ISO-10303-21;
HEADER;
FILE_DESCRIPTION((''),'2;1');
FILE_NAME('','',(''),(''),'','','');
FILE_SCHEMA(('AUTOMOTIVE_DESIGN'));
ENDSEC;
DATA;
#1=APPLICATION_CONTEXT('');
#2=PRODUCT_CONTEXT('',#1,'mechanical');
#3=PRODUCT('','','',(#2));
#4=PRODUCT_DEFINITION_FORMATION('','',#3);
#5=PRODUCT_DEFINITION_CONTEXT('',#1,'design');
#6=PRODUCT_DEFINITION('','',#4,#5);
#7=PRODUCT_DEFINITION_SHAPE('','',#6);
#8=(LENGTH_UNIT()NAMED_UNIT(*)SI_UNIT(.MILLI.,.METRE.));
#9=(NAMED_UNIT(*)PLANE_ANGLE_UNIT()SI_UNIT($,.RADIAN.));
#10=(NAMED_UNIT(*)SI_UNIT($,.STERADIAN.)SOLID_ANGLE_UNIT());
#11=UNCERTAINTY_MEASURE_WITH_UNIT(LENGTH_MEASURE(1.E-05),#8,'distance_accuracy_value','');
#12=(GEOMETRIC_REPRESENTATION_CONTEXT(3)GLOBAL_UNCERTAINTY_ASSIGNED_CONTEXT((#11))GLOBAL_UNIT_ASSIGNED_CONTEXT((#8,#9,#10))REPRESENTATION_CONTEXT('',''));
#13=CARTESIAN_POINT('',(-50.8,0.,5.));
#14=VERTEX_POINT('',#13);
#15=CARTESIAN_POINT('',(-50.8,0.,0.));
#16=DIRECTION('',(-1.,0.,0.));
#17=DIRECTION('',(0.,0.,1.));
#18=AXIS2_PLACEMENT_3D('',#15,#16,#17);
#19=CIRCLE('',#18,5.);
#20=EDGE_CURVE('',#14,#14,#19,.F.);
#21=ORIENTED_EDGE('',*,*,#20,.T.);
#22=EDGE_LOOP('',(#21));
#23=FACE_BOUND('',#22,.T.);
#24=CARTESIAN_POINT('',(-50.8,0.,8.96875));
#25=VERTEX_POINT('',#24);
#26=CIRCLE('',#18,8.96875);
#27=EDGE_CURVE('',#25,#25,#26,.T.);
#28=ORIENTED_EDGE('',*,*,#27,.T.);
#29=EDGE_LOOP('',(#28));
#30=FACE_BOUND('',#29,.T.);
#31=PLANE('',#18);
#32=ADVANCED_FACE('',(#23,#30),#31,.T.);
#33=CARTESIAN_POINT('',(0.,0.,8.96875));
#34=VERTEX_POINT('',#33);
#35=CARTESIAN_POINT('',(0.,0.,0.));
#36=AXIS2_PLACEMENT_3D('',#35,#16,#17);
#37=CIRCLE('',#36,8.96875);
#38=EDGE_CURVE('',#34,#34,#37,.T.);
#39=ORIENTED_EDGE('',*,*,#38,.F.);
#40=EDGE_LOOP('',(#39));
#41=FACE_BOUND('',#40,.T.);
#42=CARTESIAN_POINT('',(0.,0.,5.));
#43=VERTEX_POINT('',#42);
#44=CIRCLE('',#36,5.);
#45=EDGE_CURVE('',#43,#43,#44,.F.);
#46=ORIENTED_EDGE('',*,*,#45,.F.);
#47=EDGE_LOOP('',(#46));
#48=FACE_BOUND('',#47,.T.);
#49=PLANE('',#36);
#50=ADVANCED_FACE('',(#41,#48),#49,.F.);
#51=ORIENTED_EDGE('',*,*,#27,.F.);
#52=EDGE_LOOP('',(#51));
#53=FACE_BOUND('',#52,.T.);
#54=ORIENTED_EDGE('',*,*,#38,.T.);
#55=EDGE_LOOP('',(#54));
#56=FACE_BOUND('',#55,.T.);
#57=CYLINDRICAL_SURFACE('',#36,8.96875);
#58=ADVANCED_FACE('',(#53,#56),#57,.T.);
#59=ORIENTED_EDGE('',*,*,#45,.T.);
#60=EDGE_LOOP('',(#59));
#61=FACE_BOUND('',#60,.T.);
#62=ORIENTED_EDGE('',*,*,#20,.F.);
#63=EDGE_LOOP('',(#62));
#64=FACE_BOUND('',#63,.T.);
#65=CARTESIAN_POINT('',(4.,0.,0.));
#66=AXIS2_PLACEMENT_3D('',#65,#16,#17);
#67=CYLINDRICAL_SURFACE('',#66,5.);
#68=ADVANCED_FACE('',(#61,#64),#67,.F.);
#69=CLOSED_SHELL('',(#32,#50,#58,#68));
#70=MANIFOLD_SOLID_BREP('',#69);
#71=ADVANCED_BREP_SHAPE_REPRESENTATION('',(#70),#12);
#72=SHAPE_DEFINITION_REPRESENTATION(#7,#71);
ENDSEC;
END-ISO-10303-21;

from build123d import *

# Parameters (mm, degrees)
SWEEP1_PROFILE_R     = 8.96875
CUT_SWEEP1_PROFILE_R = 5


with BuildPart() as part:
    # Sweep1: sweep along a path in Sketch1
    with BuildLine(Plane(origin=(0, 0, 0), x_dir=(1, 0, 0), z_dir=(0, 1, 0))) as sweep1_path:
        Line((0, 0), (-50.8, 0))
    # Sweep1 profile (on start of the path) → Sweep1 (sweep)
    with BuildSketch(Plane(origin=(0, 0, 0), x_dir=(0, 0, -1), z_dir=(-1, 0, 0))):
        Circle(SWEEP1_PROFILE_R)
    sweep(path=sweep1_path.line)

    # Cut-Sweep1: sweep along a path in Sketch1<3>
    with BuildLine(Plane(origin=(0, 0, 0), x_dir=(1, 0, 0), z_dir=(0, 1, 0))) as cut_sweep1_path:
        Line((0, 0), (-50.8, 0))
    # Cut-Sweep1 profile (on start of the path) → Cut-Sweep1 (sweep, cut)
    with BuildSketch(Plane(origin=(0, 0, 0), x_dir=(0, 0, -1), z_dir=(-1, 0, 0))):
        Circle(CUT_SWEEP1_PROFILE_R)
    sweep(path=cut_sweep1_path.line, mode=Mode.SUBTRACT)


solid = part.part
